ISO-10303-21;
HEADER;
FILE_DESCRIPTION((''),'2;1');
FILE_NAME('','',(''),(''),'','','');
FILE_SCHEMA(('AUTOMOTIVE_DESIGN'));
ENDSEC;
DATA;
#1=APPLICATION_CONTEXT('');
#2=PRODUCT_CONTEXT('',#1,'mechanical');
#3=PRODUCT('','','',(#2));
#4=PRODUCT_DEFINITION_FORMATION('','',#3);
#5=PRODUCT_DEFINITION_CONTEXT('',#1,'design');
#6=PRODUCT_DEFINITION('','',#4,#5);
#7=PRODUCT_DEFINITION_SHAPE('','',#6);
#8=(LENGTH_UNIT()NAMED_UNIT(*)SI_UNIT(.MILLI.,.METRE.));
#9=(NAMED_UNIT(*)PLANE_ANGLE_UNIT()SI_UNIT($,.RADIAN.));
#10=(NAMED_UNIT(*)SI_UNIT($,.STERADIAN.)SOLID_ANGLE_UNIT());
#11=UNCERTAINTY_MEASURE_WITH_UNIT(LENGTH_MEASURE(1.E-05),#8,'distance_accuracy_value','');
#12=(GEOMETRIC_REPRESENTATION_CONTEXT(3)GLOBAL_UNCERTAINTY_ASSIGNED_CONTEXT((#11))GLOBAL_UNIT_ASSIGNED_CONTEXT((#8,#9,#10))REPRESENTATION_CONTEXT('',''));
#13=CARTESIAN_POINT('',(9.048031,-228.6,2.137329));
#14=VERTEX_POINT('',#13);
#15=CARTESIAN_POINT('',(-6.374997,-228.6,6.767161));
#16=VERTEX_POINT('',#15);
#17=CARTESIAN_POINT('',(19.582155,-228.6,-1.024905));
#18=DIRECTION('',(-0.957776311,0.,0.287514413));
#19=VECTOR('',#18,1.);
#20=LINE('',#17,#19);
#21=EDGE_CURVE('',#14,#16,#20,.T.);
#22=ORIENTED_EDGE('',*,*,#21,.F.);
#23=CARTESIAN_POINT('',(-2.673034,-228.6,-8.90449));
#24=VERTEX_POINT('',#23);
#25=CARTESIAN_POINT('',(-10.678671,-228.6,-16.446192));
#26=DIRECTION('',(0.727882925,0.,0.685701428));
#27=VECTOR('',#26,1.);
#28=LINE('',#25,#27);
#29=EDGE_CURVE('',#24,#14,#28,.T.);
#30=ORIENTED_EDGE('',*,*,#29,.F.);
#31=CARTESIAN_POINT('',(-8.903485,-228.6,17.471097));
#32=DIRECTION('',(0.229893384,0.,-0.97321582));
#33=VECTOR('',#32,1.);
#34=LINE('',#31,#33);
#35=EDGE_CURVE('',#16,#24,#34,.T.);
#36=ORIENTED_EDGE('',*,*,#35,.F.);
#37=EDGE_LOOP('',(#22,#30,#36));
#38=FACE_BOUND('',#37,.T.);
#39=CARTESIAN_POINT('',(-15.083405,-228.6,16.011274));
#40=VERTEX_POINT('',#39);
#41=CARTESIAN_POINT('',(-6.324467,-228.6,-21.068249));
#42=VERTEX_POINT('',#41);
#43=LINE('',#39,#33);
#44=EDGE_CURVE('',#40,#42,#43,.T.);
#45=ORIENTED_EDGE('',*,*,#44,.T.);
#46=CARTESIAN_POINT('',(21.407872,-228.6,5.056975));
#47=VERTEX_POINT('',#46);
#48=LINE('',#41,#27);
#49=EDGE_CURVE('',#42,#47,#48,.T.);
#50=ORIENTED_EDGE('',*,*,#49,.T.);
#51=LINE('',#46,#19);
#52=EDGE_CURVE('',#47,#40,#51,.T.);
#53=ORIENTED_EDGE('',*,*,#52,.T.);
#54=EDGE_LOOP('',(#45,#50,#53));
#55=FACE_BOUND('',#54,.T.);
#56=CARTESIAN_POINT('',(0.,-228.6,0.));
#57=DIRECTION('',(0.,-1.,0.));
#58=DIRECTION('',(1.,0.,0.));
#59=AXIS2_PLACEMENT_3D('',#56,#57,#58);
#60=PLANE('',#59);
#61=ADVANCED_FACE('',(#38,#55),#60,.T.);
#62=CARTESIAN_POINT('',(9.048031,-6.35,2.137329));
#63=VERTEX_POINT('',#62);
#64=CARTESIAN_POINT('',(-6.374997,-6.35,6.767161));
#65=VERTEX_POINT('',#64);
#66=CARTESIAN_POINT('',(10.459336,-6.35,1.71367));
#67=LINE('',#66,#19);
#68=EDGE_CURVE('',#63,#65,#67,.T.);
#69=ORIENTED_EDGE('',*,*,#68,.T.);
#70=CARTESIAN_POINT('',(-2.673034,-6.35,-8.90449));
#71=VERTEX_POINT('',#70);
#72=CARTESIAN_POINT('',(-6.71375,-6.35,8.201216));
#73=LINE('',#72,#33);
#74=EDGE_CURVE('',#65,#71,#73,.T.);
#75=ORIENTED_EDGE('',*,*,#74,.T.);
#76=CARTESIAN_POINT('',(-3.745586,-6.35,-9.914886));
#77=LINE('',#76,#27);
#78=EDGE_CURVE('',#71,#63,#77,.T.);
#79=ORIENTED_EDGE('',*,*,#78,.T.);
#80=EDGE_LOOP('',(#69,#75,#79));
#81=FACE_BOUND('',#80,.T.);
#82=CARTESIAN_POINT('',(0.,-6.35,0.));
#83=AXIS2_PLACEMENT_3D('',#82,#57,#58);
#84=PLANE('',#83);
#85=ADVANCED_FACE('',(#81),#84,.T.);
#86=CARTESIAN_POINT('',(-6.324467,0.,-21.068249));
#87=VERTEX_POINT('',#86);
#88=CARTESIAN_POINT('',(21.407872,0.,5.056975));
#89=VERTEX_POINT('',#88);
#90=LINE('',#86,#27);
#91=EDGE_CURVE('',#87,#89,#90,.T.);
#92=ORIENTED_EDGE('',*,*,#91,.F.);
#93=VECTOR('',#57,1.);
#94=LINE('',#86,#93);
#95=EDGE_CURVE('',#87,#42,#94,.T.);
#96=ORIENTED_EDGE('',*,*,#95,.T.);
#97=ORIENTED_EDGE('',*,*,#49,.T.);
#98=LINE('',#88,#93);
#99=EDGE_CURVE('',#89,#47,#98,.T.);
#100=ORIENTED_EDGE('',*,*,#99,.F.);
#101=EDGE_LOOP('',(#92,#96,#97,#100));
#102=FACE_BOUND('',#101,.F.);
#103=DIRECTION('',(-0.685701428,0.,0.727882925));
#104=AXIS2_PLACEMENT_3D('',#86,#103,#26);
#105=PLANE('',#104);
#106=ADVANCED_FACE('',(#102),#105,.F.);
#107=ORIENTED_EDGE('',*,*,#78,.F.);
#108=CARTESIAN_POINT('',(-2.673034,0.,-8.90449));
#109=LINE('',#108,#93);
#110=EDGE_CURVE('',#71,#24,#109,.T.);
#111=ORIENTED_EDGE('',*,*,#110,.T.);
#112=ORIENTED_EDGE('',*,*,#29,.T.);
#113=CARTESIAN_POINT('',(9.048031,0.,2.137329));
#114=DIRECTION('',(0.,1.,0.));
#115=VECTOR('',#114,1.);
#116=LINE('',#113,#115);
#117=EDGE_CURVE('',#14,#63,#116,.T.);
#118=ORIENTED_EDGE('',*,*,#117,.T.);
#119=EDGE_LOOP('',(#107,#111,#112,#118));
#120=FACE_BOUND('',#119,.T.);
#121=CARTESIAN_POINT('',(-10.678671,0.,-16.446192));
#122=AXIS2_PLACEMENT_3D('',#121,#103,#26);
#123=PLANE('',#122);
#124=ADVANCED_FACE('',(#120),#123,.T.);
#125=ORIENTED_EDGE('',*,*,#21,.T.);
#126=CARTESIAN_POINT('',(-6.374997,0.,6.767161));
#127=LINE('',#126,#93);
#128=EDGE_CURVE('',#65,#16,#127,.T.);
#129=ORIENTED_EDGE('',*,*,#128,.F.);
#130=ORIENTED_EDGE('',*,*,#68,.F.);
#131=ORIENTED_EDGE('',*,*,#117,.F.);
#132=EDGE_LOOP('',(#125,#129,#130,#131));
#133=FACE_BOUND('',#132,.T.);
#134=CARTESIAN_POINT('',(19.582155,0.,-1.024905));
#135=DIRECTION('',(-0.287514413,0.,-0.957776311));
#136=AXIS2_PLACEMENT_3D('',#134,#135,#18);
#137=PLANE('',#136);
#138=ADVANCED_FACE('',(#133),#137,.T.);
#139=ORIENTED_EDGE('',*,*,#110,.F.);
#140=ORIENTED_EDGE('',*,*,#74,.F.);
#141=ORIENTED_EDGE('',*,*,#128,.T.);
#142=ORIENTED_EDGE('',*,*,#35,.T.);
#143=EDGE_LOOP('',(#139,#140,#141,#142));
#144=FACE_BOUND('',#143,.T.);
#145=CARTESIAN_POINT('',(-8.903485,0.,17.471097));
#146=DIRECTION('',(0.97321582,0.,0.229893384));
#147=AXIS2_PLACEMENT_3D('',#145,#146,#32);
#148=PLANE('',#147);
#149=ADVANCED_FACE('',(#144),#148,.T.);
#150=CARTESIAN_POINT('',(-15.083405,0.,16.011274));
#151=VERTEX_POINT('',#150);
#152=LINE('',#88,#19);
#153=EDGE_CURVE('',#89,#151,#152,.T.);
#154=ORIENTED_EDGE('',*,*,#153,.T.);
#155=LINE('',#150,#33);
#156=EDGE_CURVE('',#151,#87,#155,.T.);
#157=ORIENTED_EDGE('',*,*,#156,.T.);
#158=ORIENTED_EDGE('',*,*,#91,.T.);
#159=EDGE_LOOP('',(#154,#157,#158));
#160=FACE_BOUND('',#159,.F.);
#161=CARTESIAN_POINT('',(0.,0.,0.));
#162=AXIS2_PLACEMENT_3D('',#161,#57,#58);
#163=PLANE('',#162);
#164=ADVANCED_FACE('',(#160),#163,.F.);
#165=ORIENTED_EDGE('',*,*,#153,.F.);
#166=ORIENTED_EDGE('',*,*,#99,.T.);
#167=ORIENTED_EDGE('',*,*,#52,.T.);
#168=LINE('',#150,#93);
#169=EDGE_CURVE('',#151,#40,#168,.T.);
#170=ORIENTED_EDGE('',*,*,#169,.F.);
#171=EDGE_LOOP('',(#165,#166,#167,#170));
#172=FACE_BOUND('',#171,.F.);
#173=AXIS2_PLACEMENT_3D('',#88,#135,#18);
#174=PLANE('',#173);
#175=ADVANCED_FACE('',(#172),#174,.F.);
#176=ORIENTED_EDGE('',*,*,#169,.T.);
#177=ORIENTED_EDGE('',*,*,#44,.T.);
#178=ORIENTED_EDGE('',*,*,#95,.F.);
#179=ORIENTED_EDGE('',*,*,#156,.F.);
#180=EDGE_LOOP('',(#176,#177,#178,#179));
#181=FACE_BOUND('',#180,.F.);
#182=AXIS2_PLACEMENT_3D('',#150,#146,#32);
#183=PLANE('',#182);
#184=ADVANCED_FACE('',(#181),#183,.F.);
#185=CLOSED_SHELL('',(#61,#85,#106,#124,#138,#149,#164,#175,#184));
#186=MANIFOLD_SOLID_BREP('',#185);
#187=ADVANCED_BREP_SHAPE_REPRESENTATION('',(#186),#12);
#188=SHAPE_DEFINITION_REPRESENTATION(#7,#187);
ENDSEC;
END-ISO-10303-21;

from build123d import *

# Parameters (mm, degrees)
F1_DEPTH = 228.6
F2_T     = -6.35


with BuildPart() as f1:
    # F0 (on Front) → F1 (new body)
    with BuildSketch(Plane.XZ):
        Polygon((21.407872, 5.056975), (-15.083405, 16.011274), (-6.324467, -21.068249), align=None)
    extrude(amount=F1_DEPTH)

    # F2
    f2_openings = [f1.faces().sort_by_distance(p)[0] for p in [
        (0, -228.6, 0),
    ]]
    offset(amount=F2_T, openings=f2_openings)


solid = f1.part
